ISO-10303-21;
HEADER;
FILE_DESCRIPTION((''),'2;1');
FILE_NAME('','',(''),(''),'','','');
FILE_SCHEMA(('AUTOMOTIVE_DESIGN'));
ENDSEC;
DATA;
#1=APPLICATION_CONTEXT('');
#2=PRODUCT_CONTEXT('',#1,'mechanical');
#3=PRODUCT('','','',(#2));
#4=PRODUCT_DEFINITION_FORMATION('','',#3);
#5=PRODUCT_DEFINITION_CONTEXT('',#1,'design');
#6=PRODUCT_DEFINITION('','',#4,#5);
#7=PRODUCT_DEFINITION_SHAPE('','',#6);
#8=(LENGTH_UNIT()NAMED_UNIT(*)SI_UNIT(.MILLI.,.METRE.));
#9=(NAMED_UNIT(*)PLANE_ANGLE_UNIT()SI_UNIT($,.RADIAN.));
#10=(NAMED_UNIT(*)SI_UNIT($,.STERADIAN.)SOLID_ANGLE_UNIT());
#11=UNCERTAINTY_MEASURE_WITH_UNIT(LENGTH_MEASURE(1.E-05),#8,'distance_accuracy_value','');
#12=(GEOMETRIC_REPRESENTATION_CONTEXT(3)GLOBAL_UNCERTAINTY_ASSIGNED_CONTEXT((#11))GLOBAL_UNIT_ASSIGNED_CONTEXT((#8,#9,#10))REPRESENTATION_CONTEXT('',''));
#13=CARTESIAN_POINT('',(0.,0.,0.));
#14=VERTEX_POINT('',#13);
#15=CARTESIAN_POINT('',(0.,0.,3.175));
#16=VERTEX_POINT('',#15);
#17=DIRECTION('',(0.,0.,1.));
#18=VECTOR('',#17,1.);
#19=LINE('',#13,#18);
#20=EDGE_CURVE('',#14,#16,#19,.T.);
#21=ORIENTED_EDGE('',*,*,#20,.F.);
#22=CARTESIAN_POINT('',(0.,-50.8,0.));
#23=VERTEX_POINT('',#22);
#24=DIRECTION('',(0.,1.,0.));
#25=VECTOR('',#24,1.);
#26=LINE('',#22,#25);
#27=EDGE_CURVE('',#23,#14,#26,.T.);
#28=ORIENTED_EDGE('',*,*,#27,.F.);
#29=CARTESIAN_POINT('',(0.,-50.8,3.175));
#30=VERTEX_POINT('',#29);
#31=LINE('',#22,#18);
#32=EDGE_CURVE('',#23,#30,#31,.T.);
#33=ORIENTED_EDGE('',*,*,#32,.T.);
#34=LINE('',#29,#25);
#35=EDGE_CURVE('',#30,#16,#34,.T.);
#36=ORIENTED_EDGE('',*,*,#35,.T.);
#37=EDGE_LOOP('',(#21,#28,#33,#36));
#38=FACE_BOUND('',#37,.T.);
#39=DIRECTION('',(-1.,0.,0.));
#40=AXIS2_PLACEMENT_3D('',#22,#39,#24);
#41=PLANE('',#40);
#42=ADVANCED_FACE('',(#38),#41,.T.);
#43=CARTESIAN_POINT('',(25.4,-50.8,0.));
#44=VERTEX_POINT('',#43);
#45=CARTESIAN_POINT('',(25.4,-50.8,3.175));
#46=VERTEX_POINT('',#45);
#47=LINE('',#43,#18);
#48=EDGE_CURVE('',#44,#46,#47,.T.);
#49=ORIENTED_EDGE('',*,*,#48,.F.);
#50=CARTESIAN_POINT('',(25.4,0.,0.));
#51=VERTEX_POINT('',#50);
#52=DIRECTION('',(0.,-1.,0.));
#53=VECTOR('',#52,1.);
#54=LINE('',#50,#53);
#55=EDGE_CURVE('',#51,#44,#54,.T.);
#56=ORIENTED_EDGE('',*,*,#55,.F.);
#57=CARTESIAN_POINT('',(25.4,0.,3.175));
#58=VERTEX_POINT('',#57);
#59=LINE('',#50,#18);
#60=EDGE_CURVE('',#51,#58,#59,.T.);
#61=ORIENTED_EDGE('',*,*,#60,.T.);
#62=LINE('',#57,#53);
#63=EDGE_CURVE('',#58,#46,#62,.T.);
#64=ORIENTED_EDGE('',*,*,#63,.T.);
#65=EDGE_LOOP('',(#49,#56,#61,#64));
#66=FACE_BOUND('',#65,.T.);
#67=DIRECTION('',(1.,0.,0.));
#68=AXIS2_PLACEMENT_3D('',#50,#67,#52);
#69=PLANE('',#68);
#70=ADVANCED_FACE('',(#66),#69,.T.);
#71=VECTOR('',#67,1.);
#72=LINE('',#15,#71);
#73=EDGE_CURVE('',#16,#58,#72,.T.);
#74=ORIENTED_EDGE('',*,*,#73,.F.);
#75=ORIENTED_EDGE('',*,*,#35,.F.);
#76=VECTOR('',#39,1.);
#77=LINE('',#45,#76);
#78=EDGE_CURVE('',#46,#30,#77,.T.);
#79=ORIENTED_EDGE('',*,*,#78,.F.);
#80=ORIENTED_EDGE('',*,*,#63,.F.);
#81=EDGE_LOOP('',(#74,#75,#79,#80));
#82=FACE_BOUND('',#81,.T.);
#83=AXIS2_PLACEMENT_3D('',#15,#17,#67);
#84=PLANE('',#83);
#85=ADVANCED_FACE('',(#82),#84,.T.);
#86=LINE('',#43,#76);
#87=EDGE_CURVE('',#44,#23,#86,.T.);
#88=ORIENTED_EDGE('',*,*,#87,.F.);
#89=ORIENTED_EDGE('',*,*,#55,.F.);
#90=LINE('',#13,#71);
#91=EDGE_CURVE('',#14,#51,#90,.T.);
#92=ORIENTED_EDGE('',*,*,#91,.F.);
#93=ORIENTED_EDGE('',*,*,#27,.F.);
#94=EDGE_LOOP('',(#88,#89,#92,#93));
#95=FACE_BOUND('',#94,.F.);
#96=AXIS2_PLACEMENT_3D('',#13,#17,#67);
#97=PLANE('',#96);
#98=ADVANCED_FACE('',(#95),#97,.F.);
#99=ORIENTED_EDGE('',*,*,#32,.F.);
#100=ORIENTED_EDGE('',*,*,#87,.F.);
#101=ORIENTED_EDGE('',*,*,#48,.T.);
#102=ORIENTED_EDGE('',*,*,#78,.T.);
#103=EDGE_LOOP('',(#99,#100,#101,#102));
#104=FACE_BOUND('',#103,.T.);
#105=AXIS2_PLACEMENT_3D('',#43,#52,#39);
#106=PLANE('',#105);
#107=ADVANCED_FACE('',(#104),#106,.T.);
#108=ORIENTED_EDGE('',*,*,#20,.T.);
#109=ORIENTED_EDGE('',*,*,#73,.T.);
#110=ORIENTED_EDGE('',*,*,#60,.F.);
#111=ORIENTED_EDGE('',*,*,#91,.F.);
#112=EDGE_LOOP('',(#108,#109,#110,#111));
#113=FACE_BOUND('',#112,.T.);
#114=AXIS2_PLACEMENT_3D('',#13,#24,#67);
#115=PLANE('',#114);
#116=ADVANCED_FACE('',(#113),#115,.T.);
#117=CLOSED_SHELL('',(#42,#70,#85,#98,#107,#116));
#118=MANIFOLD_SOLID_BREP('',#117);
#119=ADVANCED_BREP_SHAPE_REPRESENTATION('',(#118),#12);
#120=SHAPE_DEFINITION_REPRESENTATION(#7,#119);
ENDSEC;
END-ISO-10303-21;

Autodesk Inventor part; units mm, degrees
ref_plane "YZ Plane" through (0, 0, 0) normal (1, 0, 0) x (0, 1, 0)
ref_plane "XZ Plane" through (0, 0, 0) normal (0, 1, 0) x (-1, 0, 0)
ref_plane "XY Plane" through (0, 0, 0) normal (0, 0, 1) x (1, 0, 0)
sketch "Sketch1" plane through (0, 0, 0) normal (0, 0, 1) x (1, 0, 0)
  line L0 (0, 0) -> (25.4, 0)
  line L1 (25.4, 0) -> (25.4, -50.8)
  line L2 (25.4, -50.8) -> (0, -50.8)
  line L3 (0, -50.8) -> (0, 0)
  dimension "d0" = 25.4
  dimension "d1" = 50.8
extrude "Extrusion1" add sketch "Sketch1" along normal blind 3.175
properties part number "railtop"
